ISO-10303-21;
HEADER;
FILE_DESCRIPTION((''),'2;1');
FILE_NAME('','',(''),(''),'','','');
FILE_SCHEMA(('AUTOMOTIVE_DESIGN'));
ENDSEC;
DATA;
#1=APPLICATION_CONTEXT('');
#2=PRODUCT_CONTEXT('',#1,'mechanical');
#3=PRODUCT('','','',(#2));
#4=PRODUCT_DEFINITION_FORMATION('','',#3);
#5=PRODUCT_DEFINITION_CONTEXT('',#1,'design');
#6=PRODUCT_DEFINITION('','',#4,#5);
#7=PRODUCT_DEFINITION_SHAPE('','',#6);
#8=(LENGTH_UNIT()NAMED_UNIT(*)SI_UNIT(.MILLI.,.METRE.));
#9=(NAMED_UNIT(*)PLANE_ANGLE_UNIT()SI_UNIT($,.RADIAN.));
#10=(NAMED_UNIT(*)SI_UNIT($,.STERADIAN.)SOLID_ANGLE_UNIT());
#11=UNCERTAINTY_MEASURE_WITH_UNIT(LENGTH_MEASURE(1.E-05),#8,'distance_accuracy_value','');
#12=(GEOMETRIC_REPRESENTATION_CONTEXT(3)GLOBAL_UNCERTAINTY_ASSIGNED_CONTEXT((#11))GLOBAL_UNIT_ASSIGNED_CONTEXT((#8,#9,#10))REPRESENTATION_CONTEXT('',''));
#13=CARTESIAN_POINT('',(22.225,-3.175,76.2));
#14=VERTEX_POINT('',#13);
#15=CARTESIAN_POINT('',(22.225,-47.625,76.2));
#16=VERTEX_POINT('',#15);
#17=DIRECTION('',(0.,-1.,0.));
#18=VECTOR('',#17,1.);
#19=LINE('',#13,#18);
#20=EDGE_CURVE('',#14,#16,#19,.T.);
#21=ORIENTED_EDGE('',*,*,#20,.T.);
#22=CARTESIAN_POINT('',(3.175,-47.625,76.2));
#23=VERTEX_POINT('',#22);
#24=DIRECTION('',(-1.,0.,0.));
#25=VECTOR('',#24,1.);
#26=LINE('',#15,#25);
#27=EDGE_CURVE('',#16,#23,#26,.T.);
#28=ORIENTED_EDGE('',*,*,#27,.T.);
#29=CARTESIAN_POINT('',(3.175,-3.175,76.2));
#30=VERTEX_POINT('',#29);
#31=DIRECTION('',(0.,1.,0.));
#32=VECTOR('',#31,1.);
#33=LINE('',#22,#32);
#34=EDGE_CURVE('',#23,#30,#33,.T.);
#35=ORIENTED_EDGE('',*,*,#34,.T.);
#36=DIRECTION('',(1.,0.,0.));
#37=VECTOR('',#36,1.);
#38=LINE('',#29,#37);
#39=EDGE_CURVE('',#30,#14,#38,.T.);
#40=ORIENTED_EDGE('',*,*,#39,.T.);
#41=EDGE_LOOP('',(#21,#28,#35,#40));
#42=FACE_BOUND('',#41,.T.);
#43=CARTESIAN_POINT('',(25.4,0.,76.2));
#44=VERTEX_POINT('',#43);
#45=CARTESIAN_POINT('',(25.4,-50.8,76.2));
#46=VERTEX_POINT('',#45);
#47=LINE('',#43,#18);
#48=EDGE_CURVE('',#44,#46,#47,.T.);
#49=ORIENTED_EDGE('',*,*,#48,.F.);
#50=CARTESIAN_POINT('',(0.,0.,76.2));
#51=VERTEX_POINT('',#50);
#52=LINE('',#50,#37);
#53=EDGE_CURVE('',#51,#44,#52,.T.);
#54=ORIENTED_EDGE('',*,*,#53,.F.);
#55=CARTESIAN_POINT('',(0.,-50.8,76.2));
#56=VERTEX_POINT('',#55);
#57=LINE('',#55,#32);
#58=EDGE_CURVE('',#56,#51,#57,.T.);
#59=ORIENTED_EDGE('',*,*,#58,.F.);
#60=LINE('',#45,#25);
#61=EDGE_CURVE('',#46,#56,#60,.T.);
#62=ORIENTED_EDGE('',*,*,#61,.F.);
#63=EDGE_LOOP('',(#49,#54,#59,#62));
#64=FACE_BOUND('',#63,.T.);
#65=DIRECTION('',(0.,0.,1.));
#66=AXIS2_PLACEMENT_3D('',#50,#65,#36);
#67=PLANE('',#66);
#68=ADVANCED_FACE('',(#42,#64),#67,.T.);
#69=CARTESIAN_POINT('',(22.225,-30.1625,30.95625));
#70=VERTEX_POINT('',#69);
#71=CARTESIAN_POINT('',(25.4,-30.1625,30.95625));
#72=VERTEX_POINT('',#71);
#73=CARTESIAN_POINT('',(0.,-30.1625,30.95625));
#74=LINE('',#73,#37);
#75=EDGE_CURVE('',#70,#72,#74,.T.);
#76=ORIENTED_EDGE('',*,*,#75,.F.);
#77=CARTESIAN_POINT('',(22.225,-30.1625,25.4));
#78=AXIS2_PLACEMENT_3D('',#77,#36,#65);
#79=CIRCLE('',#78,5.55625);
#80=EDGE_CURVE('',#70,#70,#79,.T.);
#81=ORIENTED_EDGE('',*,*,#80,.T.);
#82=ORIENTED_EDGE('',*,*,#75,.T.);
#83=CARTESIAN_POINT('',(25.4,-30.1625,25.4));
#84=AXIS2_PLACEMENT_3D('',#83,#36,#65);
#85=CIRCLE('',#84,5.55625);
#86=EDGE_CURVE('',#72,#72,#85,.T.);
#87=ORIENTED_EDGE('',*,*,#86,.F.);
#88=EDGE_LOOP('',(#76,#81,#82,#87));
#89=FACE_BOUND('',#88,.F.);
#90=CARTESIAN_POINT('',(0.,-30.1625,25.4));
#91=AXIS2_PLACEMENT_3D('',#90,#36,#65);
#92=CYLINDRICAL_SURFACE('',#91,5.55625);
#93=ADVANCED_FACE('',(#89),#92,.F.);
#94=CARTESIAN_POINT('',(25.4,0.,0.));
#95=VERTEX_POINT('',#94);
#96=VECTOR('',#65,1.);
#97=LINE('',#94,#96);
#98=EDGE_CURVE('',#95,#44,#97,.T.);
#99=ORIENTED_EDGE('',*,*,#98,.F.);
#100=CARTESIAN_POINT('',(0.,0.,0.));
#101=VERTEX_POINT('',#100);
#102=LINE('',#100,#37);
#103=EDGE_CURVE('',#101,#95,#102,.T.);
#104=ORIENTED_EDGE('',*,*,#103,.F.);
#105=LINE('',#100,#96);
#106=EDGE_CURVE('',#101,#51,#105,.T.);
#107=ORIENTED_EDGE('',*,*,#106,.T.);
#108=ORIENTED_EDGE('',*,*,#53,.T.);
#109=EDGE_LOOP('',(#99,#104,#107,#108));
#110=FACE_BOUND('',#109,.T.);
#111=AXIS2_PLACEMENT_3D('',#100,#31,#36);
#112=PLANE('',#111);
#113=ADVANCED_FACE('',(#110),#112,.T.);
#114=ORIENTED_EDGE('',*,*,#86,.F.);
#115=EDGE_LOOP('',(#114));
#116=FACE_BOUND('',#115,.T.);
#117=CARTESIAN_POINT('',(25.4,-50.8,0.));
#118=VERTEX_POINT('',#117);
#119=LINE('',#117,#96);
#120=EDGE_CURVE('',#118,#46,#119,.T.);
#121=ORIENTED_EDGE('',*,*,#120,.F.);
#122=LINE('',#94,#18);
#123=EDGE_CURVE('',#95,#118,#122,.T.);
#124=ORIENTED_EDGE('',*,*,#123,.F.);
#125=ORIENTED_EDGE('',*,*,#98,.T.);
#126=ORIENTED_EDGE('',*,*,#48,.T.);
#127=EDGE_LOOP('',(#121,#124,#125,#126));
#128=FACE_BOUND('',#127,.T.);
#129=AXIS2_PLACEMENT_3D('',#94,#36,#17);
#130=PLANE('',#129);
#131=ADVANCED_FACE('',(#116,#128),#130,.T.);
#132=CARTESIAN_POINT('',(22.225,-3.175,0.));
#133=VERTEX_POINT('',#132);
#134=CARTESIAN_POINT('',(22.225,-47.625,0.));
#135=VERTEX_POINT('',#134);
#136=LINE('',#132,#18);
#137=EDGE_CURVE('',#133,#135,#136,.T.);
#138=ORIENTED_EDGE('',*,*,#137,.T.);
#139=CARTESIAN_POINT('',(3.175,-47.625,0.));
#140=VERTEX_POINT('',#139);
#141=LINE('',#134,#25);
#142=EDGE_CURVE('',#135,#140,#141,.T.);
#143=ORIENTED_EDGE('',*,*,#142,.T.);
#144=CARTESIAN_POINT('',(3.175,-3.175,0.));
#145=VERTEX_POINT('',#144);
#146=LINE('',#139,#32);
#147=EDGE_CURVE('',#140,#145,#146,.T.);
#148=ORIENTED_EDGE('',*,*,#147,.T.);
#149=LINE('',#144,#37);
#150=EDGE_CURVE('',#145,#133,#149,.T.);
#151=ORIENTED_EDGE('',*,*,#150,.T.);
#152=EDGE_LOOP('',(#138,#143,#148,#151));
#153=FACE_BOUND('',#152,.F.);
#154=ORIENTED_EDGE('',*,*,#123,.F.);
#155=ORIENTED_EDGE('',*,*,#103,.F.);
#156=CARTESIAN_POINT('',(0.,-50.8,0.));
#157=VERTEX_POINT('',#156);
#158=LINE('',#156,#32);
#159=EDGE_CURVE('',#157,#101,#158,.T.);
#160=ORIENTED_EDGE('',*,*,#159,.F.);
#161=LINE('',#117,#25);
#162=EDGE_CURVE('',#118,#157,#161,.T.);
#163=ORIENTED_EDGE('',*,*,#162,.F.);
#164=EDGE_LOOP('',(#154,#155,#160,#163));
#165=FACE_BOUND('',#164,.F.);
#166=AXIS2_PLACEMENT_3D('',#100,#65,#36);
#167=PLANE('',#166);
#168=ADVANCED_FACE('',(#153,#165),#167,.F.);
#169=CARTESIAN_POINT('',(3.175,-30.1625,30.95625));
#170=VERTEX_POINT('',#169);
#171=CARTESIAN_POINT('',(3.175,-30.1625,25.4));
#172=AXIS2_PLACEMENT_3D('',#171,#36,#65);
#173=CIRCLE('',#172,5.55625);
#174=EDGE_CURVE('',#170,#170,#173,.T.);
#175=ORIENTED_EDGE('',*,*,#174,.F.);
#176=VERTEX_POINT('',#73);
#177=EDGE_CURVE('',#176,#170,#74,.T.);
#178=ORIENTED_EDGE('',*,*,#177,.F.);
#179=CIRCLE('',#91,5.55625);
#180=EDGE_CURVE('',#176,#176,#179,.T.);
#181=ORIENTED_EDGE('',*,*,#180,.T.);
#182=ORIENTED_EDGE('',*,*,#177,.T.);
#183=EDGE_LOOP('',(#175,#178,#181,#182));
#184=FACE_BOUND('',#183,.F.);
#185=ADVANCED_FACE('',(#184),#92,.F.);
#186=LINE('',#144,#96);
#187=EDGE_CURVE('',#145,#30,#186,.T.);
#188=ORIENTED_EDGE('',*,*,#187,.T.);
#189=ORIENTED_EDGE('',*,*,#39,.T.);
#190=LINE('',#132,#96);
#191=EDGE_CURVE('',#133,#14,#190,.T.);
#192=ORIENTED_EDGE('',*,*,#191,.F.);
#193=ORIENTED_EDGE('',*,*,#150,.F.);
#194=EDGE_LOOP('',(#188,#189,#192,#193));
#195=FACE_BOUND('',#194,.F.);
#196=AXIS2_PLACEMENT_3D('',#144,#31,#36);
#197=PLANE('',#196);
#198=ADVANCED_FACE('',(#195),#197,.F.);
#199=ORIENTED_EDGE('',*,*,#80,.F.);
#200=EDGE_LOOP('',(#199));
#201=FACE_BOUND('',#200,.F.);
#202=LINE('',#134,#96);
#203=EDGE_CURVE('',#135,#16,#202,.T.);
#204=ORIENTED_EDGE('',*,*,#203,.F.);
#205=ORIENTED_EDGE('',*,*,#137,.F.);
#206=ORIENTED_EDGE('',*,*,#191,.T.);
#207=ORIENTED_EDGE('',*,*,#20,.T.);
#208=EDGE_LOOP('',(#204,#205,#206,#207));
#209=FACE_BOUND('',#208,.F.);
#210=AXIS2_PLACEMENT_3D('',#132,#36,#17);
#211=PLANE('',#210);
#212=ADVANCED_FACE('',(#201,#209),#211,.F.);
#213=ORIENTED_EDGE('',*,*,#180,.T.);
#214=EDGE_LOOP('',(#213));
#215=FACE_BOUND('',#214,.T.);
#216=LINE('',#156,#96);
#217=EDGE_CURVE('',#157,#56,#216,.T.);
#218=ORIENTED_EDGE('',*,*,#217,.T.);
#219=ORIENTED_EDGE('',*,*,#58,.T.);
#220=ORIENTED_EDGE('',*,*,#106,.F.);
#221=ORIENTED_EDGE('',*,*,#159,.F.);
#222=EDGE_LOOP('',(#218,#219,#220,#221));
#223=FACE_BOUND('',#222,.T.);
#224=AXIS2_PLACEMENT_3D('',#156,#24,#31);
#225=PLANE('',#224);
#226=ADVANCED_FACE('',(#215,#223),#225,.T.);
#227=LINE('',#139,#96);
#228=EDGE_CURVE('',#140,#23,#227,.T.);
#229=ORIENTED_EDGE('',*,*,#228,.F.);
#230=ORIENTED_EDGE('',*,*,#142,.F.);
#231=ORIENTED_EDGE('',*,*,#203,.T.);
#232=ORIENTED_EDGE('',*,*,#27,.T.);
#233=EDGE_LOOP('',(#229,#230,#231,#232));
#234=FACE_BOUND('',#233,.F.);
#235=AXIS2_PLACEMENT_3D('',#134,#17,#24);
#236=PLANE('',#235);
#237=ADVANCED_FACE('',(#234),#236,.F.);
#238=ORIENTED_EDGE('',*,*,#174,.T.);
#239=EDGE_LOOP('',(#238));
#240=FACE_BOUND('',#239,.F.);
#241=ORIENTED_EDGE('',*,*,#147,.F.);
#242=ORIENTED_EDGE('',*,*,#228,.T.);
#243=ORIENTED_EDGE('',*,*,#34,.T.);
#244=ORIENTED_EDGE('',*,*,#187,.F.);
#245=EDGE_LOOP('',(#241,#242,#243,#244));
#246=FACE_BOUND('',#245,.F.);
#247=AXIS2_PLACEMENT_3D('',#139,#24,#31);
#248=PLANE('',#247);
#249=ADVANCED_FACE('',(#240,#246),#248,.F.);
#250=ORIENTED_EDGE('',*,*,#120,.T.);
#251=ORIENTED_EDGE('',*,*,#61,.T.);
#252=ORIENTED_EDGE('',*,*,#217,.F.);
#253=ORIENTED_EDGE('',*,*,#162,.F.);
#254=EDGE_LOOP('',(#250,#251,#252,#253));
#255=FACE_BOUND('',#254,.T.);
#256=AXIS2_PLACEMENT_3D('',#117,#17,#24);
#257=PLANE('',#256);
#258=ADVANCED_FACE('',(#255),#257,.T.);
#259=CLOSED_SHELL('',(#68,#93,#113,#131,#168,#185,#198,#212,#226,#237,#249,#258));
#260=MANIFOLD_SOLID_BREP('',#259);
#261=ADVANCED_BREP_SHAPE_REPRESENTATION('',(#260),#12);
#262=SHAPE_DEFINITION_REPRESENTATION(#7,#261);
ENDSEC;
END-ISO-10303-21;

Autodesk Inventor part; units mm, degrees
ref_plane "YZ Plane" through (0, 0, 0) normal (1, 0, 0) x (0, 1, 0)
ref_plane "XZ Plane" through (0, 0, 0) normal (0, 1, 0) x (-1, 0, 0)
ref_plane "XY Plane" through (0, 0, 0) normal (0, 0, 1) x (1, 0, 0)
sketch "Sketch1" plane through (0, 0, 0) normal (0, 0, 1) x (1, 0, 0)
  line L0 (0, 0) -> (25.4, 0)
  line L1 (25.4, 0) -> (25.4, -50.8)
  line L2 (25.4, -50.8) -> (0, -50.8)
  line L3 (0, -50.8) -> (0, 0)
  line L4 (3.175, -3.175) -> (22.225, -3.175)
  line L5 (22.225, -3.175) -> (22.225, -47.625)
  line L6 (22.225, -47.625) -> (3.175, -47.625)
  line L7 (3.175, -47.625) -> (3.175, -3.175)
  dimension "d0" = 25.4
  dimension "d1" = 50.8
  dimension "d2" = 19.05
  dimension "d3" = 44.45
  dimension "d4" = 3.175
  dimension "d5" = 3.175
extrude "Extrusion1" add sketch "Sketch1" along normal blind 76.2
sketch "Sketch2" plane through (0, -50.8, 0) normal (-1, 0, 0) x (0, 0, 1)
  line L0 (0, 0) -> (0, 50.8) projected
  line L1 (0, 0) -> (76.2, 0) projected
  point P0 (25.4, 20.6375)
  dimension "d8" = 20.6375
  dimension "d9" = 25.4
hole "Hole1" at (0, -30.1625, 25.4) direction (1, 0, 0) diameter 11.1125 end through all
properties part number "axle support 2x1" material "Aluminum 6061"
